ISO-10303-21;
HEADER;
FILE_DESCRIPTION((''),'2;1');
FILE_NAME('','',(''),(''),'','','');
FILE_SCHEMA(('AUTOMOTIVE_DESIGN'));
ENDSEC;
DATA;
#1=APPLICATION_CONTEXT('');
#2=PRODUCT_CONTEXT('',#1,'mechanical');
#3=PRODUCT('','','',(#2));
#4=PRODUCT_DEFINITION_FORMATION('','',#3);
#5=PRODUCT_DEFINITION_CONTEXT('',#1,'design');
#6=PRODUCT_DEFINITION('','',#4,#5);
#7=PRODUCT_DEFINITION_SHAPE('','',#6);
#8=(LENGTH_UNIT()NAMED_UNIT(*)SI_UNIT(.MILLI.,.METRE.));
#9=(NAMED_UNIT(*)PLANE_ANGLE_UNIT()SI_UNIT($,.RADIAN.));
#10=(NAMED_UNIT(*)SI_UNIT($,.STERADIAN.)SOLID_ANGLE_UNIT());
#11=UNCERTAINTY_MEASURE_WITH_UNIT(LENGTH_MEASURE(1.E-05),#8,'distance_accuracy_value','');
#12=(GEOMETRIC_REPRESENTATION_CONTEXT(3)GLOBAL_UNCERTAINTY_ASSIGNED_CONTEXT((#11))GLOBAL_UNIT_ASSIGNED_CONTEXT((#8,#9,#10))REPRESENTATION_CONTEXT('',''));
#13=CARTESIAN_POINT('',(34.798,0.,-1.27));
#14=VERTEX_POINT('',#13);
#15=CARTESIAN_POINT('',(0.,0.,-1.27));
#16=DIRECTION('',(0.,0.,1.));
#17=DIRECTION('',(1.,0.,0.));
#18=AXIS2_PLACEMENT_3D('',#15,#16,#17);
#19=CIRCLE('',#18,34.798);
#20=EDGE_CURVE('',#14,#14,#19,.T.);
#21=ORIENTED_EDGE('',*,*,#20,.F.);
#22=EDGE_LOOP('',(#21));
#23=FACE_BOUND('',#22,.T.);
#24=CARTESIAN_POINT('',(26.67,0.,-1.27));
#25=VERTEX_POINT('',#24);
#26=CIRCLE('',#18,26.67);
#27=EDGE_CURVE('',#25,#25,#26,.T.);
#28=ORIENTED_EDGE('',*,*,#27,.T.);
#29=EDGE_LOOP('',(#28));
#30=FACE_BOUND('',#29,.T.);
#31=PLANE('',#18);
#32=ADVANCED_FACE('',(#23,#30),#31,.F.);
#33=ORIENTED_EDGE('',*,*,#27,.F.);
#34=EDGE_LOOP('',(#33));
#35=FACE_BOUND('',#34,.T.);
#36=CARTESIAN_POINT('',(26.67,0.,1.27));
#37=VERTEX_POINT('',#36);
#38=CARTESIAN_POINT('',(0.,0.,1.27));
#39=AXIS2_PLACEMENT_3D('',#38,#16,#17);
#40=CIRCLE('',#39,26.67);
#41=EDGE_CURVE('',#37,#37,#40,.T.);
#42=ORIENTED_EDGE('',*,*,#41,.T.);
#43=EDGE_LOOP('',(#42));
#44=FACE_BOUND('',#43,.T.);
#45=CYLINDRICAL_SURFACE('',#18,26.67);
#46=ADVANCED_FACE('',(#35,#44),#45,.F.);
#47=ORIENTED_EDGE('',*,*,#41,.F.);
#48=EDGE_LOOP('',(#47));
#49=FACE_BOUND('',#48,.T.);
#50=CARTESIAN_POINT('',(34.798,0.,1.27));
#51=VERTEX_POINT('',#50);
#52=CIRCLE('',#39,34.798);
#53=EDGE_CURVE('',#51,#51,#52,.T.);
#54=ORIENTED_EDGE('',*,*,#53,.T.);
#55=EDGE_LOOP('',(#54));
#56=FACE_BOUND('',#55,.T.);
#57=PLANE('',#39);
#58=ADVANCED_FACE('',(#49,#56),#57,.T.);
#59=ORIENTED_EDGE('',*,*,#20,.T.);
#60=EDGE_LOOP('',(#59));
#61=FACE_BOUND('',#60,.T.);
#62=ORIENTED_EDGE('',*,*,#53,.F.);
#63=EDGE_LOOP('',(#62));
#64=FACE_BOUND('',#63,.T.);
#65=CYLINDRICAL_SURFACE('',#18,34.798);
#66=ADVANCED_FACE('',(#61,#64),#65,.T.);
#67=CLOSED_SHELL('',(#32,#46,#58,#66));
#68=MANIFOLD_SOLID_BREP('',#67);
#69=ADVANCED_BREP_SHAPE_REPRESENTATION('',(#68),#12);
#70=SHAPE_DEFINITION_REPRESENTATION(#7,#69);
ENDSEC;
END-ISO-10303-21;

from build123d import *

# Parameters (mm, degrees)
BOSS_EXTRUDE1_DEPTH      = 1.27
BOSS_EXTRUDE1_DEPTH_BACK = 1.27
SKETCH1_W                = 74.549
SKETCH1_H                = 74.549
SKETCH1_R                = 26.67
SKETCH2_R                = 3.302
CUT_EXTRUDE1_DEPTH       = 53.775262202
MIRROR2_COPY_1_SKETCH_R  = 3.302
MIRROR2_COPY_1_DEPTH     = 53.775262202
MIRROR2_COPY_2_SKETCH_R  = 3.302
MIRROR2_COPY_2_DEPTH     = 53.775262202
SKETCH14_OUTSIDE_W       = 97.642
SKETCH14_OUTSIDE_H       = 97.642
SKETCH14_OUTSIDE_R       = 34.798
CUT_EXTRUDE6_DEPTH       = 53.775262202


with BuildPart() as part:
    # Sketch1 → Boss-Extrude1 (new, two sides: drawn at the far end of the back side and taken through both)
    with BuildSketch(Plane.XY.offset(-BOSS_EXTRUDE1_DEPTH_BACK)):
        Rectangle(SKETCH1_W, SKETCH1_H)
        Circle(SKETCH1_R, mode=Mode.SUBTRACT)
    extrude(amount=BOSS_EXTRUDE1_DEPTH + BOSS_EXTRUDE1_DEPTH_BACK)

    # Sketch2 → Cut-Extrude1 (cut, through all)
    with BuildSketch(Plane.XY.offset(1.27)):
        with Locations((-31.75, 31.75)):
            Circle(SKETCH2_R)
    cut_extrude1 = extrude(amount=-CUT_EXTRUDE1_DEPTH, mode=Mode.SUBTRACT)

    # Mirror1: Cut-Extrude1 across plane
    add(cut_extrude1.mirror(Plane(origin=(0, 0, 0), x_dir=(0, 0, 1), z_dir=(1, 0, 0))), mode=Mode.SUBTRACT)

    # Mirror2 copy 1 sketch → Mirror2 copy 1 (cut, through all)
    with BuildSketch(Plane(origin=(0, 0, 1.27), x_dir=(-1, 0, 0), z_dir=(0, 0, 1))):
        with Locations((-31.75, 31.75)):
            Circle(MIRROR2_COPY_1_SKETCH_R)
    extrude(amount=-MIRROR2_COPY_1_DEPTH, mode=Mode.SUBTRACT)

    # Mirror2 copy 2 sketch → Mirror2 copy 2 (cut, through all)
    with BuildSketch(Plane.XY.offset(1.27)):
        with Locations((-31.75, -31.75)):
            Circle(MIRROR2_COPY_2_SKETCH_R)
    extrude(amount=-MIRROR2_COPY_2_DEPTH, mode=Mode.SUBTRACT)

    # Sketch14 outside → Cut-Extrude6 (cut, through all)
    with BuildSketch(Plane.XY.offset(1.27)):
        Rectangle(SKETCH14_OUTSIDE_W, SKETCH14_OUTSIDE_H)
        Circle(SKETCH14_OUTSIDE_R, mode=Mode.SUBTRACT)
    extrude(amount=-CUT_EXTRUDE6_DEPTH, mode=Mode.SUBTRACT)


solid = part.part
